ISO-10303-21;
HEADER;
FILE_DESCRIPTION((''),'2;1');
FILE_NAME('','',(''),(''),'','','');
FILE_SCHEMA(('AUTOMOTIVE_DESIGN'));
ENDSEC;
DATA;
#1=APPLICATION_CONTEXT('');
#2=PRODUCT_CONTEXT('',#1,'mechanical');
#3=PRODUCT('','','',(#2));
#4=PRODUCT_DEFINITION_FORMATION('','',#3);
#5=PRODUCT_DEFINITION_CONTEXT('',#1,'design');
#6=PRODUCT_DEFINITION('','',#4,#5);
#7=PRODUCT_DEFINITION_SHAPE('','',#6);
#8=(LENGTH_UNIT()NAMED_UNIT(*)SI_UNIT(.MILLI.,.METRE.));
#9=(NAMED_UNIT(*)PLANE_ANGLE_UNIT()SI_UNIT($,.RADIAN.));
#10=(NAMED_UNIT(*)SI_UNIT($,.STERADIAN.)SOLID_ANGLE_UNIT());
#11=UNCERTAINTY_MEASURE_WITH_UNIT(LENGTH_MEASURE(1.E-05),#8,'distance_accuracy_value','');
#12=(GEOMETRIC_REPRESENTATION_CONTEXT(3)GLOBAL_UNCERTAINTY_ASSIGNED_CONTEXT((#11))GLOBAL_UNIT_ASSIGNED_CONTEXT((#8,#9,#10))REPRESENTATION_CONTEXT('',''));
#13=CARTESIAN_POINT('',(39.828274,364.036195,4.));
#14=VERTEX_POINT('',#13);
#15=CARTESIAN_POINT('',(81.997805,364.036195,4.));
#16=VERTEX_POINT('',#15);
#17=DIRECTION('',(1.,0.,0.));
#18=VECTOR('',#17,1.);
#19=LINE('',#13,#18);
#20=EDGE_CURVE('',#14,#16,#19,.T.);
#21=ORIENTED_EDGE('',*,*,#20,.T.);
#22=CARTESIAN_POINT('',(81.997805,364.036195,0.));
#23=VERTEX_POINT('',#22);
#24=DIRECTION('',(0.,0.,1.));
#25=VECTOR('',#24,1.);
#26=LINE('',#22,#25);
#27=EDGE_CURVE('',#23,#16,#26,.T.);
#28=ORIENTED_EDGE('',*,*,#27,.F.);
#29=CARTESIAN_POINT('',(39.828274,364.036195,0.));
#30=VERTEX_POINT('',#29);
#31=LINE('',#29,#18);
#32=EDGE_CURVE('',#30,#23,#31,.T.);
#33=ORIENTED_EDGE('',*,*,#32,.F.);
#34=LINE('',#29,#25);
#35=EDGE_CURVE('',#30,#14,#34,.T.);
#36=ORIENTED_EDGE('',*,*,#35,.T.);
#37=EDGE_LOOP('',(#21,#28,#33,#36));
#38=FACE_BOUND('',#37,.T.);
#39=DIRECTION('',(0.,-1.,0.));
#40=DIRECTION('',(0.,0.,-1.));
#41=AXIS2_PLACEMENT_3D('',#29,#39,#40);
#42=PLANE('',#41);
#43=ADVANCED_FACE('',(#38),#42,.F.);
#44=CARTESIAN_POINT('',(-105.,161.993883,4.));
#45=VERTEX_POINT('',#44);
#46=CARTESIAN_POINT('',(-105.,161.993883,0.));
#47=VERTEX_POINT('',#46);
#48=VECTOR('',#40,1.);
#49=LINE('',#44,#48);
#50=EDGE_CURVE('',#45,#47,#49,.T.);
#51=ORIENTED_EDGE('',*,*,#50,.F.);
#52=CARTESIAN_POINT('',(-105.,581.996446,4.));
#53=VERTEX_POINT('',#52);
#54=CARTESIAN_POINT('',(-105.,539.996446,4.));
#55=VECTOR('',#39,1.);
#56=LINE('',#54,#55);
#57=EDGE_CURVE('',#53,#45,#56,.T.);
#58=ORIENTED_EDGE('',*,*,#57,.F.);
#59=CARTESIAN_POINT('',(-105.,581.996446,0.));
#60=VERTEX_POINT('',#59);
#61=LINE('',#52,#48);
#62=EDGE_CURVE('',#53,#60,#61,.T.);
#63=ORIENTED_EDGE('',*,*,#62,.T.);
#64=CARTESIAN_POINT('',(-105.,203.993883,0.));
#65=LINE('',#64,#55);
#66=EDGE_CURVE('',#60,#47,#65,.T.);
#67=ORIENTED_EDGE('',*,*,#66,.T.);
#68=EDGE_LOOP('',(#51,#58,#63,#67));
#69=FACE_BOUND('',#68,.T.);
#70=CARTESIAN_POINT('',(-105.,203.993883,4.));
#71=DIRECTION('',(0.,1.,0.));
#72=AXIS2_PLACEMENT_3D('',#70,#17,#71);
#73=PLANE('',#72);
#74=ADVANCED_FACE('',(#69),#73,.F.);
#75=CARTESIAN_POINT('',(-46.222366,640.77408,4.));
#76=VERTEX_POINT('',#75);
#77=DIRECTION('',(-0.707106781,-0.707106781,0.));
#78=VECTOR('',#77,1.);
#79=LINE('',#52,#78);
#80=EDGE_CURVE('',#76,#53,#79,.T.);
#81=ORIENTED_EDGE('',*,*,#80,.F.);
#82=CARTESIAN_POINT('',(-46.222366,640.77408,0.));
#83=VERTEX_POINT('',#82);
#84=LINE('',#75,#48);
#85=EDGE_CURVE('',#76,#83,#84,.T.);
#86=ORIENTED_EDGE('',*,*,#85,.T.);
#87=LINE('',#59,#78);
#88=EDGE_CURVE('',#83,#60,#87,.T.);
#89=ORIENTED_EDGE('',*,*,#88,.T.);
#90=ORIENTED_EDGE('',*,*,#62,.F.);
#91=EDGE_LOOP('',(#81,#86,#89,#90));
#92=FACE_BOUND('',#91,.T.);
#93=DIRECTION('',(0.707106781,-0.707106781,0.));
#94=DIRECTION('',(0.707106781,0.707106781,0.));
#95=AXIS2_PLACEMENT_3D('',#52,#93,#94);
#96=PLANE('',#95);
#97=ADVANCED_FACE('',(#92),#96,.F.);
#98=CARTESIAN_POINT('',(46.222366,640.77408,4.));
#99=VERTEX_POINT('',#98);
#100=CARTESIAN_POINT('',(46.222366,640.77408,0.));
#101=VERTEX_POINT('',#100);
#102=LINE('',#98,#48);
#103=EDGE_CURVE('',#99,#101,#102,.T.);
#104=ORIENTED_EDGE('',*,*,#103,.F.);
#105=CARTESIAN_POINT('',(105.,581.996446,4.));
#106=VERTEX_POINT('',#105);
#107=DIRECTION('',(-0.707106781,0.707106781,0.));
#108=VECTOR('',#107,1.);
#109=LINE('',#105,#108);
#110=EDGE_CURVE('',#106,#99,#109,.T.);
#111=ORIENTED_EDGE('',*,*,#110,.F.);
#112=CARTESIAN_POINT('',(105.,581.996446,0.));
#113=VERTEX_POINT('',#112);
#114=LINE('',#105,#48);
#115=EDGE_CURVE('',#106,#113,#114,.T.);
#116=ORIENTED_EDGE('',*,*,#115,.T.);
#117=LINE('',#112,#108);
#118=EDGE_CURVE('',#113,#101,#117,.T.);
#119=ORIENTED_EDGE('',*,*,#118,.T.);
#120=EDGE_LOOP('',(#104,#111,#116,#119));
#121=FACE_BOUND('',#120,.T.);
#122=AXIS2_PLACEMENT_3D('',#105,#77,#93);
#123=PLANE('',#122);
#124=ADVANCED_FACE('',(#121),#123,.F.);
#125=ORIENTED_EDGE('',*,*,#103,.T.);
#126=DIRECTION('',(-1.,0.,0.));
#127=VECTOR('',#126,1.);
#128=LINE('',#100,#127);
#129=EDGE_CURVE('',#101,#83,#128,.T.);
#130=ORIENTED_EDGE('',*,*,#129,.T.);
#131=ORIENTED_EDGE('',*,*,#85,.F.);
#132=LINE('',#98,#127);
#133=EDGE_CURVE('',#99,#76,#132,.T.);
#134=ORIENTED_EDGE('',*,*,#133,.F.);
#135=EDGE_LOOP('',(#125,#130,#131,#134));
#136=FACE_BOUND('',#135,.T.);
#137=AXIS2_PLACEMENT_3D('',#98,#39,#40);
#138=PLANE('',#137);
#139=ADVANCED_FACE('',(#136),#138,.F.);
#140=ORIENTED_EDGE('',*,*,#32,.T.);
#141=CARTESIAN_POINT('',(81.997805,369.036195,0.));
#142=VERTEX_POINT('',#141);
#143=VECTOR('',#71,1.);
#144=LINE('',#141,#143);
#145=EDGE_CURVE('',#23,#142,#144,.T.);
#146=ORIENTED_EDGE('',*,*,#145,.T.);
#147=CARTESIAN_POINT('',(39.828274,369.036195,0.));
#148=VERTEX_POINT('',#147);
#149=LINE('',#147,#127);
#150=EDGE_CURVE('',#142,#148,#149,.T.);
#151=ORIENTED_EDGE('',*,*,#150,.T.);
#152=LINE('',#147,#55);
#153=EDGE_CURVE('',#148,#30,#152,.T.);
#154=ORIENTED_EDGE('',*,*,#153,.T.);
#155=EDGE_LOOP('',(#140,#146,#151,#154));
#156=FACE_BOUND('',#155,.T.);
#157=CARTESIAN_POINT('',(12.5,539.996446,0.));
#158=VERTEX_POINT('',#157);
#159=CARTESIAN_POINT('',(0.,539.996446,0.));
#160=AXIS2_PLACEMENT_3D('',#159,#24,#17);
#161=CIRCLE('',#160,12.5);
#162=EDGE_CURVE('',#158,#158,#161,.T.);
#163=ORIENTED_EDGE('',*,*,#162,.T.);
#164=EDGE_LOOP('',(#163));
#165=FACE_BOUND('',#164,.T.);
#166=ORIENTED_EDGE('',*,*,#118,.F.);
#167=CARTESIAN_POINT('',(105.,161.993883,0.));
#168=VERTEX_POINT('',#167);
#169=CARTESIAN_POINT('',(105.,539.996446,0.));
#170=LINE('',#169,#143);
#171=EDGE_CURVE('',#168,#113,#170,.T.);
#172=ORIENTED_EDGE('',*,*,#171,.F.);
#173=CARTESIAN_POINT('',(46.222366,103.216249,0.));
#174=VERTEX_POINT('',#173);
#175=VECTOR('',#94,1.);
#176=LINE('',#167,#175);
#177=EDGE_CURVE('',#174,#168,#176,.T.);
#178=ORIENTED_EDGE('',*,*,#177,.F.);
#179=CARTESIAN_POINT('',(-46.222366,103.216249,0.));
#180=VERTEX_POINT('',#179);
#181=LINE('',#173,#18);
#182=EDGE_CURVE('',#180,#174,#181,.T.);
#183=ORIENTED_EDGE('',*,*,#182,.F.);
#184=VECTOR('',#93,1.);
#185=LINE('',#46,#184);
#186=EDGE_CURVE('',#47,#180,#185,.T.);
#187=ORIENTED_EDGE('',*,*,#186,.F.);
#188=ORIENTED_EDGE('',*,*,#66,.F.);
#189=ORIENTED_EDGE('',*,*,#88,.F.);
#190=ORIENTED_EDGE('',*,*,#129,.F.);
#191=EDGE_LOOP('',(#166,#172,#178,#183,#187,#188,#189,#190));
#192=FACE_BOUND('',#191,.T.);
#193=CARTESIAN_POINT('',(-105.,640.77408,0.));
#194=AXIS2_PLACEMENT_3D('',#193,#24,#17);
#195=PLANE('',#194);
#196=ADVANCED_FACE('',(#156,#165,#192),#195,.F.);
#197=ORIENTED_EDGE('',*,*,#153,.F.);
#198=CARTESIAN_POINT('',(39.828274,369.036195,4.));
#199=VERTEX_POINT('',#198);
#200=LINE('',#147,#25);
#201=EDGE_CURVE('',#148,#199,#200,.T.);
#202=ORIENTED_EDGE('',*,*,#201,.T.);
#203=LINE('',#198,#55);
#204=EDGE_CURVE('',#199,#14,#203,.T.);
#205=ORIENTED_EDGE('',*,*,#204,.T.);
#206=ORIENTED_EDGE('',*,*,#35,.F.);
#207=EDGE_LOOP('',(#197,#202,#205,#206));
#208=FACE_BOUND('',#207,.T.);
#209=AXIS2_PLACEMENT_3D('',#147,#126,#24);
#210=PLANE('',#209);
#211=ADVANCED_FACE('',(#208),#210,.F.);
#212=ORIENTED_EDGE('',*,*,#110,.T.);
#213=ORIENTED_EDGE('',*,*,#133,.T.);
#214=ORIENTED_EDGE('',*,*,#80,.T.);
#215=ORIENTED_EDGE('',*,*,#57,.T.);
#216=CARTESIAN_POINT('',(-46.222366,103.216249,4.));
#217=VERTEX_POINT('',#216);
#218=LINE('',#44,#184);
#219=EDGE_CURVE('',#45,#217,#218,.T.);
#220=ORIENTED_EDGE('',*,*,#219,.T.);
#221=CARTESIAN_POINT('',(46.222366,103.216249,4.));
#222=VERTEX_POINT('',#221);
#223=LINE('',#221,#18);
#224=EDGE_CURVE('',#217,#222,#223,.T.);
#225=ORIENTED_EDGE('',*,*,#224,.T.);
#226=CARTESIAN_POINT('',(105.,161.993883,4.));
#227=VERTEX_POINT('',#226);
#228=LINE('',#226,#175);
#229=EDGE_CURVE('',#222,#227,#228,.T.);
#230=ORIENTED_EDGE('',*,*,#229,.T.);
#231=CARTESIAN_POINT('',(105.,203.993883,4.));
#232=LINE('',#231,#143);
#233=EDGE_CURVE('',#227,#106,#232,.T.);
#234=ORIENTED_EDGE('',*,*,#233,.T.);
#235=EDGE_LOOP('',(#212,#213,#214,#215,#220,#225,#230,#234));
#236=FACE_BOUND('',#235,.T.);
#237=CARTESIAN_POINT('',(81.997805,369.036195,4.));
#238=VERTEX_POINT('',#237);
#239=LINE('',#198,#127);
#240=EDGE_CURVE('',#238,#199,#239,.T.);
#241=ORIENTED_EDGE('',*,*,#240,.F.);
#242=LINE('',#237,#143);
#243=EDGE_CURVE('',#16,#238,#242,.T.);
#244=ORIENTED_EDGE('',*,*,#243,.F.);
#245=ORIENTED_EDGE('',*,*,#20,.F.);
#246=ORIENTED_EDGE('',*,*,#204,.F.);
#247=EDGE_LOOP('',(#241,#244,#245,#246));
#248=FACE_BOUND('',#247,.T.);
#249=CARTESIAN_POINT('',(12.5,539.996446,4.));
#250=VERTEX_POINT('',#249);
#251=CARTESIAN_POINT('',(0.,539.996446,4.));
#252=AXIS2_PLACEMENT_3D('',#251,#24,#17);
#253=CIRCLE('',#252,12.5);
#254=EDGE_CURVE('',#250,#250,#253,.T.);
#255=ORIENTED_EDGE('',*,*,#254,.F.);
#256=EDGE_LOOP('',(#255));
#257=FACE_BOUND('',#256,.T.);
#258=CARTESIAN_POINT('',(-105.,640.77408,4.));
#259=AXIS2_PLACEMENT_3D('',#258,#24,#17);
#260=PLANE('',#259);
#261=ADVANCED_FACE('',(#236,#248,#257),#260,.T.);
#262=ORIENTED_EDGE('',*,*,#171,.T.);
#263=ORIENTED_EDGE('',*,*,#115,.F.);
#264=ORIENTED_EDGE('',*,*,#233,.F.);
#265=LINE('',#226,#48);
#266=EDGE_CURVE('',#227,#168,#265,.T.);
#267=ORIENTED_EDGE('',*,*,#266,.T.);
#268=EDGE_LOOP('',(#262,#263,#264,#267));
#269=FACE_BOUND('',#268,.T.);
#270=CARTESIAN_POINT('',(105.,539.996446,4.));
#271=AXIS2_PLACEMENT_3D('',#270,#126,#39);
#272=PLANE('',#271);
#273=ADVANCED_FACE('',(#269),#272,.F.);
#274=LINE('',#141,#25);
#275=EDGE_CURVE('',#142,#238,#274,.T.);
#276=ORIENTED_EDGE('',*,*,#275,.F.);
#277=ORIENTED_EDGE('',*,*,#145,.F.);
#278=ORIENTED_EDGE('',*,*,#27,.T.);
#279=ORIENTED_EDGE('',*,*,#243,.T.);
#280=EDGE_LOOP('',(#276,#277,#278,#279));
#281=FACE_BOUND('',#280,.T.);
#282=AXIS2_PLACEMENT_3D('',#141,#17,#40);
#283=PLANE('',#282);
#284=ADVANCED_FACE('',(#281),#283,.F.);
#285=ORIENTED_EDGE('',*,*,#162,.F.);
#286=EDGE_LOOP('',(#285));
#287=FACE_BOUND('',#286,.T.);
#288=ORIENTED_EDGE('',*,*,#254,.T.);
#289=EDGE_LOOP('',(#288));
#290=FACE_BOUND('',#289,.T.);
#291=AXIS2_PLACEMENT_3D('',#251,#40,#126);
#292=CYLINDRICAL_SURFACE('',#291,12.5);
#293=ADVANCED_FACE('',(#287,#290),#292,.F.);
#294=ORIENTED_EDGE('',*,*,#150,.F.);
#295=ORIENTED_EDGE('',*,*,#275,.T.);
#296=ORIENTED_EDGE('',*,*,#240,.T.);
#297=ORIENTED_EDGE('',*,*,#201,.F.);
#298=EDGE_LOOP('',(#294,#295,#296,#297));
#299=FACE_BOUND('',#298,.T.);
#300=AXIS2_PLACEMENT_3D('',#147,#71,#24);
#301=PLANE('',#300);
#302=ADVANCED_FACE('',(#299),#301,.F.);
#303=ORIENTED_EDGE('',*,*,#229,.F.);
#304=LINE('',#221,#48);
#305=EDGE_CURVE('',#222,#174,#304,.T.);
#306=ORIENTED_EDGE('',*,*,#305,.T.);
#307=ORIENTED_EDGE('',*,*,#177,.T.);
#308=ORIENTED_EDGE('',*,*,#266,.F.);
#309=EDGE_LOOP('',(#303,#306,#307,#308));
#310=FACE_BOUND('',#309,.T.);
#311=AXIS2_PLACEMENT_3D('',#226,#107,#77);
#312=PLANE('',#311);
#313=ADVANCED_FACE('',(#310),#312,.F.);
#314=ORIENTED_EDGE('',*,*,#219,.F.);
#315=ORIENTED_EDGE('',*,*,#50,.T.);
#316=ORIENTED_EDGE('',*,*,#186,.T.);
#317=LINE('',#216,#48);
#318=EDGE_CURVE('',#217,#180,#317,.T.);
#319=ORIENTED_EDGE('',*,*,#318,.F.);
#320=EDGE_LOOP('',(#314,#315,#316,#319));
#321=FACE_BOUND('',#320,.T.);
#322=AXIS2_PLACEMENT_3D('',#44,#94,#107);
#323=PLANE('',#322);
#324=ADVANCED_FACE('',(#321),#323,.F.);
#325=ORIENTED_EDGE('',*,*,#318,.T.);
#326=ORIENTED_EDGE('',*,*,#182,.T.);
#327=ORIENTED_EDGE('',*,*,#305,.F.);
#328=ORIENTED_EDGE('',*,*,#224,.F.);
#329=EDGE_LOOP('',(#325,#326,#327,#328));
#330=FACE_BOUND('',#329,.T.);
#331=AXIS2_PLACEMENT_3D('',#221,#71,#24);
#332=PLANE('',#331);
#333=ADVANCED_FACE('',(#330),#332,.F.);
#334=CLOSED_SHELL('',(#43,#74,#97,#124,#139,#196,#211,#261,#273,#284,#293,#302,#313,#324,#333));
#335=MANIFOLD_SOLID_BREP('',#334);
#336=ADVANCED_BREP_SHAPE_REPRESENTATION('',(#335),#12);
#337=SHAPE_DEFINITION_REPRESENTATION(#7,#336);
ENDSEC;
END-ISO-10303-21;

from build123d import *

# Parameters (mm, degrees)
SKETCH_1_R          = 12.5
EXTRUDE_1_DEPTH     = 4
SKETCH_2_W          = 42.16953138
SKETCH_2_H          = 5
CUT_EXTRUDE_1_DEPTH = 650.332288577


with BuildPart() as part:
    # Эскиз1 → Вытянуть1 (new body)
    with BuildSketch(Plane.XY):
        Polygon((-105, 539.996445798), (-105, 203.99388251), (-105, 161.99388251), (-46.222366275, 103.216248785), (46.222366275, 103.216248785), (105, 161.99388251), (105, 203.99388251), (105, 539.996445798), (105, 581.996445798), (46.222366275, 640.774079523), (-46.222366275, 640.774079523), (-105, 581.996445798), align=None)
        with Locations((0, 539.996445798)):
            Circle(SKETCH_1_R, mode=Mode.SUBTRACT)
    extrude(amount=EXTRUDE_1_DEPTH)

    # Эскиз2 → Вырез-Вытянуть1 (cut, through all)
    with BuildSketch(Plane.XY.offset(4)):
        with Locations((60.913039778, 366.536195337)):
            Rectangle(SKETCH_2_W, SKETCH_2_H)
    extrude(amount=-CUT_EXTRUDE_1_DEPTH, mode=Mode.SUBTRACT)


solid = part.part
